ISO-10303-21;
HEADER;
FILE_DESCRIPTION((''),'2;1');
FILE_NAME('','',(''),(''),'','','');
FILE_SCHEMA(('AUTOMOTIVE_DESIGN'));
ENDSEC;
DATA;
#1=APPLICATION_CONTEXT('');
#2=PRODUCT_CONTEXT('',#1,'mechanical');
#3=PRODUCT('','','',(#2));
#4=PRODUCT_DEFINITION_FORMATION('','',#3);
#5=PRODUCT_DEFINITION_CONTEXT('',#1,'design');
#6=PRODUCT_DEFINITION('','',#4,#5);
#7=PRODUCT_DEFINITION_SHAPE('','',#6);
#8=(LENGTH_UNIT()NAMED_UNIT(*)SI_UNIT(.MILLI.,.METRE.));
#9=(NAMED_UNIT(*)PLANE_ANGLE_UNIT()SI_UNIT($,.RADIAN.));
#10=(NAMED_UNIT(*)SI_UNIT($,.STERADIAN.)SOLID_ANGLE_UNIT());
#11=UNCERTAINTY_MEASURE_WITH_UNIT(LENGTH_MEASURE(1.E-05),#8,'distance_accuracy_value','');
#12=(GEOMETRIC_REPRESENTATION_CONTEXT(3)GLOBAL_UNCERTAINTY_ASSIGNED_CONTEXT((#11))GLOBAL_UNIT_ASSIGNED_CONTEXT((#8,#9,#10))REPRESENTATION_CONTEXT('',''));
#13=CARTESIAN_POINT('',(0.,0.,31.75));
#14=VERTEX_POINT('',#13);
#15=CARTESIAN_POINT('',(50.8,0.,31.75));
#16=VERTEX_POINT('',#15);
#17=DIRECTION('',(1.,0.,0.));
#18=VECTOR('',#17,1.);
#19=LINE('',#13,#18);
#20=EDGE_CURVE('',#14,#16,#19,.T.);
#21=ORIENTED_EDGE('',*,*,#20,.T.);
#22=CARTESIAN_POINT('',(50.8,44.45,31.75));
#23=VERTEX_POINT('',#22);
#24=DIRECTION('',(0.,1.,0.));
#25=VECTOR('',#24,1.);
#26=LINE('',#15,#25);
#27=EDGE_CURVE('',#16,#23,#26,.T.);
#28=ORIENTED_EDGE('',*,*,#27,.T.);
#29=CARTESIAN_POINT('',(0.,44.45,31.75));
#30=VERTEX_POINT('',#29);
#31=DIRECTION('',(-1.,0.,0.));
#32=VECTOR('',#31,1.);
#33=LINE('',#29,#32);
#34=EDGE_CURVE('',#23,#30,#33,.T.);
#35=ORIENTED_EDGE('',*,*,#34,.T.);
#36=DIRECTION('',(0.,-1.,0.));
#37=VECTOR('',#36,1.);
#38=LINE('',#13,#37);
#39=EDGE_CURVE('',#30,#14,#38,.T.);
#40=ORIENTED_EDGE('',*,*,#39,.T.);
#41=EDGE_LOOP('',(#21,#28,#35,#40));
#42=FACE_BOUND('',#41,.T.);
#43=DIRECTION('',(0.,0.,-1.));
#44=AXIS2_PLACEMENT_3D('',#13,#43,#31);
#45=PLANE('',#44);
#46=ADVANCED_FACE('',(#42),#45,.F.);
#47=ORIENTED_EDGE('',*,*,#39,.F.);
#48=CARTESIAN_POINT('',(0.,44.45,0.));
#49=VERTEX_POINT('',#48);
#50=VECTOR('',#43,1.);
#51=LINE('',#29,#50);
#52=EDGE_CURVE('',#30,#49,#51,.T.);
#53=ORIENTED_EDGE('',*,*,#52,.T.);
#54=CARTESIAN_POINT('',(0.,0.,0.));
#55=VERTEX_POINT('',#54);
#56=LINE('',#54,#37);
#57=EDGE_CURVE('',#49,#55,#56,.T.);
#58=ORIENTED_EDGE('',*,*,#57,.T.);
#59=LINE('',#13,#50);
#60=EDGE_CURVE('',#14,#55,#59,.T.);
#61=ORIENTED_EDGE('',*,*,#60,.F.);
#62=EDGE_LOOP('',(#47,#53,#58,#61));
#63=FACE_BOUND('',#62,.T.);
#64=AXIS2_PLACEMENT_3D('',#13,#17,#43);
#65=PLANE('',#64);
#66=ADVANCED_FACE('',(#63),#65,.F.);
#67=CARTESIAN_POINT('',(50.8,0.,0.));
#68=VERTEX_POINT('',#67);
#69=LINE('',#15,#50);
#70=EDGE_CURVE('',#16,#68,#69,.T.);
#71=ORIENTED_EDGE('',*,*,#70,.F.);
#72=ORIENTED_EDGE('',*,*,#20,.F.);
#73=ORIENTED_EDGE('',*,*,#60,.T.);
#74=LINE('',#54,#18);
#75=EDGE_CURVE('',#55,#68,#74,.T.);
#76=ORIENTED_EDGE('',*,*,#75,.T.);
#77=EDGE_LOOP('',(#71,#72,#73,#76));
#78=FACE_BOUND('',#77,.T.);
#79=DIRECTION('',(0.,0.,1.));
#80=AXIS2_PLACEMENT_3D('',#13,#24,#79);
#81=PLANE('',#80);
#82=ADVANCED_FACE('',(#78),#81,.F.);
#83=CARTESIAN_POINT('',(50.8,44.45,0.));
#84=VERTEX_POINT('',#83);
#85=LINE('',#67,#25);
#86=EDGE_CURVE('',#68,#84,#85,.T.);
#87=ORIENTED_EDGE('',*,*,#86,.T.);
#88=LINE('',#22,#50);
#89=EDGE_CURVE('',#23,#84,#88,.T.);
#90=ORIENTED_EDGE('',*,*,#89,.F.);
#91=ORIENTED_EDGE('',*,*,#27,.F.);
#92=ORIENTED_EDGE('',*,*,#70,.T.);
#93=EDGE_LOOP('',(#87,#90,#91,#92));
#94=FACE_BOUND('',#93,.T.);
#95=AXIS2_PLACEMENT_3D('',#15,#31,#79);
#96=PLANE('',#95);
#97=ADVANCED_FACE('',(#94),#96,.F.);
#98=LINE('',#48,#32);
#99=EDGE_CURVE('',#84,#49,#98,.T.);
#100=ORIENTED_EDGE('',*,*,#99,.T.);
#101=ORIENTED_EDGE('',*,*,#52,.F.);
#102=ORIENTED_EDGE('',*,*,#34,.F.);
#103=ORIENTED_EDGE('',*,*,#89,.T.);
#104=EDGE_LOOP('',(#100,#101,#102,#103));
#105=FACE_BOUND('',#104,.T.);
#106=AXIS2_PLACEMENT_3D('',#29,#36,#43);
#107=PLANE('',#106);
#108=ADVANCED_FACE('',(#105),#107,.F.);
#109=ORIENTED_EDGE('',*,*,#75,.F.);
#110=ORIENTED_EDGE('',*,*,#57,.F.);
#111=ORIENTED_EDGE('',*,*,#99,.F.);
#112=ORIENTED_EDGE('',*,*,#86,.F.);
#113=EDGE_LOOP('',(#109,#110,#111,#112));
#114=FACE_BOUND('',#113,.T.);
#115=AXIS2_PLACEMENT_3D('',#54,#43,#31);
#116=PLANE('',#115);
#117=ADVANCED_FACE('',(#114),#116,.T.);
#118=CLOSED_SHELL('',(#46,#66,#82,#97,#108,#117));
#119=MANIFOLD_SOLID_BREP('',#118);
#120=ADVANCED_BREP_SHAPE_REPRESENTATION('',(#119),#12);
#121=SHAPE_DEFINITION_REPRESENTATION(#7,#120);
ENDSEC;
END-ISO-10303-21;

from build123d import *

# Parameters (mm, degrees)
SKETCH1_W           = 50.8
SKETCH1_H           = 44.45
BOSS_EXTRUDE1_DEPTH = 31.75


with BuildPart() as part:
    # Sketch1 → Boss-Extrude1 (new body)
    with BuildSketch(Plane.XY):
        with Locations((25.4, 22.225)):
            Rectangle(SKETCH1_W, SKETCH1_H)
    extrude(amount=BOSS_EXTRUDE1_DEPTH)


solid = part.part
